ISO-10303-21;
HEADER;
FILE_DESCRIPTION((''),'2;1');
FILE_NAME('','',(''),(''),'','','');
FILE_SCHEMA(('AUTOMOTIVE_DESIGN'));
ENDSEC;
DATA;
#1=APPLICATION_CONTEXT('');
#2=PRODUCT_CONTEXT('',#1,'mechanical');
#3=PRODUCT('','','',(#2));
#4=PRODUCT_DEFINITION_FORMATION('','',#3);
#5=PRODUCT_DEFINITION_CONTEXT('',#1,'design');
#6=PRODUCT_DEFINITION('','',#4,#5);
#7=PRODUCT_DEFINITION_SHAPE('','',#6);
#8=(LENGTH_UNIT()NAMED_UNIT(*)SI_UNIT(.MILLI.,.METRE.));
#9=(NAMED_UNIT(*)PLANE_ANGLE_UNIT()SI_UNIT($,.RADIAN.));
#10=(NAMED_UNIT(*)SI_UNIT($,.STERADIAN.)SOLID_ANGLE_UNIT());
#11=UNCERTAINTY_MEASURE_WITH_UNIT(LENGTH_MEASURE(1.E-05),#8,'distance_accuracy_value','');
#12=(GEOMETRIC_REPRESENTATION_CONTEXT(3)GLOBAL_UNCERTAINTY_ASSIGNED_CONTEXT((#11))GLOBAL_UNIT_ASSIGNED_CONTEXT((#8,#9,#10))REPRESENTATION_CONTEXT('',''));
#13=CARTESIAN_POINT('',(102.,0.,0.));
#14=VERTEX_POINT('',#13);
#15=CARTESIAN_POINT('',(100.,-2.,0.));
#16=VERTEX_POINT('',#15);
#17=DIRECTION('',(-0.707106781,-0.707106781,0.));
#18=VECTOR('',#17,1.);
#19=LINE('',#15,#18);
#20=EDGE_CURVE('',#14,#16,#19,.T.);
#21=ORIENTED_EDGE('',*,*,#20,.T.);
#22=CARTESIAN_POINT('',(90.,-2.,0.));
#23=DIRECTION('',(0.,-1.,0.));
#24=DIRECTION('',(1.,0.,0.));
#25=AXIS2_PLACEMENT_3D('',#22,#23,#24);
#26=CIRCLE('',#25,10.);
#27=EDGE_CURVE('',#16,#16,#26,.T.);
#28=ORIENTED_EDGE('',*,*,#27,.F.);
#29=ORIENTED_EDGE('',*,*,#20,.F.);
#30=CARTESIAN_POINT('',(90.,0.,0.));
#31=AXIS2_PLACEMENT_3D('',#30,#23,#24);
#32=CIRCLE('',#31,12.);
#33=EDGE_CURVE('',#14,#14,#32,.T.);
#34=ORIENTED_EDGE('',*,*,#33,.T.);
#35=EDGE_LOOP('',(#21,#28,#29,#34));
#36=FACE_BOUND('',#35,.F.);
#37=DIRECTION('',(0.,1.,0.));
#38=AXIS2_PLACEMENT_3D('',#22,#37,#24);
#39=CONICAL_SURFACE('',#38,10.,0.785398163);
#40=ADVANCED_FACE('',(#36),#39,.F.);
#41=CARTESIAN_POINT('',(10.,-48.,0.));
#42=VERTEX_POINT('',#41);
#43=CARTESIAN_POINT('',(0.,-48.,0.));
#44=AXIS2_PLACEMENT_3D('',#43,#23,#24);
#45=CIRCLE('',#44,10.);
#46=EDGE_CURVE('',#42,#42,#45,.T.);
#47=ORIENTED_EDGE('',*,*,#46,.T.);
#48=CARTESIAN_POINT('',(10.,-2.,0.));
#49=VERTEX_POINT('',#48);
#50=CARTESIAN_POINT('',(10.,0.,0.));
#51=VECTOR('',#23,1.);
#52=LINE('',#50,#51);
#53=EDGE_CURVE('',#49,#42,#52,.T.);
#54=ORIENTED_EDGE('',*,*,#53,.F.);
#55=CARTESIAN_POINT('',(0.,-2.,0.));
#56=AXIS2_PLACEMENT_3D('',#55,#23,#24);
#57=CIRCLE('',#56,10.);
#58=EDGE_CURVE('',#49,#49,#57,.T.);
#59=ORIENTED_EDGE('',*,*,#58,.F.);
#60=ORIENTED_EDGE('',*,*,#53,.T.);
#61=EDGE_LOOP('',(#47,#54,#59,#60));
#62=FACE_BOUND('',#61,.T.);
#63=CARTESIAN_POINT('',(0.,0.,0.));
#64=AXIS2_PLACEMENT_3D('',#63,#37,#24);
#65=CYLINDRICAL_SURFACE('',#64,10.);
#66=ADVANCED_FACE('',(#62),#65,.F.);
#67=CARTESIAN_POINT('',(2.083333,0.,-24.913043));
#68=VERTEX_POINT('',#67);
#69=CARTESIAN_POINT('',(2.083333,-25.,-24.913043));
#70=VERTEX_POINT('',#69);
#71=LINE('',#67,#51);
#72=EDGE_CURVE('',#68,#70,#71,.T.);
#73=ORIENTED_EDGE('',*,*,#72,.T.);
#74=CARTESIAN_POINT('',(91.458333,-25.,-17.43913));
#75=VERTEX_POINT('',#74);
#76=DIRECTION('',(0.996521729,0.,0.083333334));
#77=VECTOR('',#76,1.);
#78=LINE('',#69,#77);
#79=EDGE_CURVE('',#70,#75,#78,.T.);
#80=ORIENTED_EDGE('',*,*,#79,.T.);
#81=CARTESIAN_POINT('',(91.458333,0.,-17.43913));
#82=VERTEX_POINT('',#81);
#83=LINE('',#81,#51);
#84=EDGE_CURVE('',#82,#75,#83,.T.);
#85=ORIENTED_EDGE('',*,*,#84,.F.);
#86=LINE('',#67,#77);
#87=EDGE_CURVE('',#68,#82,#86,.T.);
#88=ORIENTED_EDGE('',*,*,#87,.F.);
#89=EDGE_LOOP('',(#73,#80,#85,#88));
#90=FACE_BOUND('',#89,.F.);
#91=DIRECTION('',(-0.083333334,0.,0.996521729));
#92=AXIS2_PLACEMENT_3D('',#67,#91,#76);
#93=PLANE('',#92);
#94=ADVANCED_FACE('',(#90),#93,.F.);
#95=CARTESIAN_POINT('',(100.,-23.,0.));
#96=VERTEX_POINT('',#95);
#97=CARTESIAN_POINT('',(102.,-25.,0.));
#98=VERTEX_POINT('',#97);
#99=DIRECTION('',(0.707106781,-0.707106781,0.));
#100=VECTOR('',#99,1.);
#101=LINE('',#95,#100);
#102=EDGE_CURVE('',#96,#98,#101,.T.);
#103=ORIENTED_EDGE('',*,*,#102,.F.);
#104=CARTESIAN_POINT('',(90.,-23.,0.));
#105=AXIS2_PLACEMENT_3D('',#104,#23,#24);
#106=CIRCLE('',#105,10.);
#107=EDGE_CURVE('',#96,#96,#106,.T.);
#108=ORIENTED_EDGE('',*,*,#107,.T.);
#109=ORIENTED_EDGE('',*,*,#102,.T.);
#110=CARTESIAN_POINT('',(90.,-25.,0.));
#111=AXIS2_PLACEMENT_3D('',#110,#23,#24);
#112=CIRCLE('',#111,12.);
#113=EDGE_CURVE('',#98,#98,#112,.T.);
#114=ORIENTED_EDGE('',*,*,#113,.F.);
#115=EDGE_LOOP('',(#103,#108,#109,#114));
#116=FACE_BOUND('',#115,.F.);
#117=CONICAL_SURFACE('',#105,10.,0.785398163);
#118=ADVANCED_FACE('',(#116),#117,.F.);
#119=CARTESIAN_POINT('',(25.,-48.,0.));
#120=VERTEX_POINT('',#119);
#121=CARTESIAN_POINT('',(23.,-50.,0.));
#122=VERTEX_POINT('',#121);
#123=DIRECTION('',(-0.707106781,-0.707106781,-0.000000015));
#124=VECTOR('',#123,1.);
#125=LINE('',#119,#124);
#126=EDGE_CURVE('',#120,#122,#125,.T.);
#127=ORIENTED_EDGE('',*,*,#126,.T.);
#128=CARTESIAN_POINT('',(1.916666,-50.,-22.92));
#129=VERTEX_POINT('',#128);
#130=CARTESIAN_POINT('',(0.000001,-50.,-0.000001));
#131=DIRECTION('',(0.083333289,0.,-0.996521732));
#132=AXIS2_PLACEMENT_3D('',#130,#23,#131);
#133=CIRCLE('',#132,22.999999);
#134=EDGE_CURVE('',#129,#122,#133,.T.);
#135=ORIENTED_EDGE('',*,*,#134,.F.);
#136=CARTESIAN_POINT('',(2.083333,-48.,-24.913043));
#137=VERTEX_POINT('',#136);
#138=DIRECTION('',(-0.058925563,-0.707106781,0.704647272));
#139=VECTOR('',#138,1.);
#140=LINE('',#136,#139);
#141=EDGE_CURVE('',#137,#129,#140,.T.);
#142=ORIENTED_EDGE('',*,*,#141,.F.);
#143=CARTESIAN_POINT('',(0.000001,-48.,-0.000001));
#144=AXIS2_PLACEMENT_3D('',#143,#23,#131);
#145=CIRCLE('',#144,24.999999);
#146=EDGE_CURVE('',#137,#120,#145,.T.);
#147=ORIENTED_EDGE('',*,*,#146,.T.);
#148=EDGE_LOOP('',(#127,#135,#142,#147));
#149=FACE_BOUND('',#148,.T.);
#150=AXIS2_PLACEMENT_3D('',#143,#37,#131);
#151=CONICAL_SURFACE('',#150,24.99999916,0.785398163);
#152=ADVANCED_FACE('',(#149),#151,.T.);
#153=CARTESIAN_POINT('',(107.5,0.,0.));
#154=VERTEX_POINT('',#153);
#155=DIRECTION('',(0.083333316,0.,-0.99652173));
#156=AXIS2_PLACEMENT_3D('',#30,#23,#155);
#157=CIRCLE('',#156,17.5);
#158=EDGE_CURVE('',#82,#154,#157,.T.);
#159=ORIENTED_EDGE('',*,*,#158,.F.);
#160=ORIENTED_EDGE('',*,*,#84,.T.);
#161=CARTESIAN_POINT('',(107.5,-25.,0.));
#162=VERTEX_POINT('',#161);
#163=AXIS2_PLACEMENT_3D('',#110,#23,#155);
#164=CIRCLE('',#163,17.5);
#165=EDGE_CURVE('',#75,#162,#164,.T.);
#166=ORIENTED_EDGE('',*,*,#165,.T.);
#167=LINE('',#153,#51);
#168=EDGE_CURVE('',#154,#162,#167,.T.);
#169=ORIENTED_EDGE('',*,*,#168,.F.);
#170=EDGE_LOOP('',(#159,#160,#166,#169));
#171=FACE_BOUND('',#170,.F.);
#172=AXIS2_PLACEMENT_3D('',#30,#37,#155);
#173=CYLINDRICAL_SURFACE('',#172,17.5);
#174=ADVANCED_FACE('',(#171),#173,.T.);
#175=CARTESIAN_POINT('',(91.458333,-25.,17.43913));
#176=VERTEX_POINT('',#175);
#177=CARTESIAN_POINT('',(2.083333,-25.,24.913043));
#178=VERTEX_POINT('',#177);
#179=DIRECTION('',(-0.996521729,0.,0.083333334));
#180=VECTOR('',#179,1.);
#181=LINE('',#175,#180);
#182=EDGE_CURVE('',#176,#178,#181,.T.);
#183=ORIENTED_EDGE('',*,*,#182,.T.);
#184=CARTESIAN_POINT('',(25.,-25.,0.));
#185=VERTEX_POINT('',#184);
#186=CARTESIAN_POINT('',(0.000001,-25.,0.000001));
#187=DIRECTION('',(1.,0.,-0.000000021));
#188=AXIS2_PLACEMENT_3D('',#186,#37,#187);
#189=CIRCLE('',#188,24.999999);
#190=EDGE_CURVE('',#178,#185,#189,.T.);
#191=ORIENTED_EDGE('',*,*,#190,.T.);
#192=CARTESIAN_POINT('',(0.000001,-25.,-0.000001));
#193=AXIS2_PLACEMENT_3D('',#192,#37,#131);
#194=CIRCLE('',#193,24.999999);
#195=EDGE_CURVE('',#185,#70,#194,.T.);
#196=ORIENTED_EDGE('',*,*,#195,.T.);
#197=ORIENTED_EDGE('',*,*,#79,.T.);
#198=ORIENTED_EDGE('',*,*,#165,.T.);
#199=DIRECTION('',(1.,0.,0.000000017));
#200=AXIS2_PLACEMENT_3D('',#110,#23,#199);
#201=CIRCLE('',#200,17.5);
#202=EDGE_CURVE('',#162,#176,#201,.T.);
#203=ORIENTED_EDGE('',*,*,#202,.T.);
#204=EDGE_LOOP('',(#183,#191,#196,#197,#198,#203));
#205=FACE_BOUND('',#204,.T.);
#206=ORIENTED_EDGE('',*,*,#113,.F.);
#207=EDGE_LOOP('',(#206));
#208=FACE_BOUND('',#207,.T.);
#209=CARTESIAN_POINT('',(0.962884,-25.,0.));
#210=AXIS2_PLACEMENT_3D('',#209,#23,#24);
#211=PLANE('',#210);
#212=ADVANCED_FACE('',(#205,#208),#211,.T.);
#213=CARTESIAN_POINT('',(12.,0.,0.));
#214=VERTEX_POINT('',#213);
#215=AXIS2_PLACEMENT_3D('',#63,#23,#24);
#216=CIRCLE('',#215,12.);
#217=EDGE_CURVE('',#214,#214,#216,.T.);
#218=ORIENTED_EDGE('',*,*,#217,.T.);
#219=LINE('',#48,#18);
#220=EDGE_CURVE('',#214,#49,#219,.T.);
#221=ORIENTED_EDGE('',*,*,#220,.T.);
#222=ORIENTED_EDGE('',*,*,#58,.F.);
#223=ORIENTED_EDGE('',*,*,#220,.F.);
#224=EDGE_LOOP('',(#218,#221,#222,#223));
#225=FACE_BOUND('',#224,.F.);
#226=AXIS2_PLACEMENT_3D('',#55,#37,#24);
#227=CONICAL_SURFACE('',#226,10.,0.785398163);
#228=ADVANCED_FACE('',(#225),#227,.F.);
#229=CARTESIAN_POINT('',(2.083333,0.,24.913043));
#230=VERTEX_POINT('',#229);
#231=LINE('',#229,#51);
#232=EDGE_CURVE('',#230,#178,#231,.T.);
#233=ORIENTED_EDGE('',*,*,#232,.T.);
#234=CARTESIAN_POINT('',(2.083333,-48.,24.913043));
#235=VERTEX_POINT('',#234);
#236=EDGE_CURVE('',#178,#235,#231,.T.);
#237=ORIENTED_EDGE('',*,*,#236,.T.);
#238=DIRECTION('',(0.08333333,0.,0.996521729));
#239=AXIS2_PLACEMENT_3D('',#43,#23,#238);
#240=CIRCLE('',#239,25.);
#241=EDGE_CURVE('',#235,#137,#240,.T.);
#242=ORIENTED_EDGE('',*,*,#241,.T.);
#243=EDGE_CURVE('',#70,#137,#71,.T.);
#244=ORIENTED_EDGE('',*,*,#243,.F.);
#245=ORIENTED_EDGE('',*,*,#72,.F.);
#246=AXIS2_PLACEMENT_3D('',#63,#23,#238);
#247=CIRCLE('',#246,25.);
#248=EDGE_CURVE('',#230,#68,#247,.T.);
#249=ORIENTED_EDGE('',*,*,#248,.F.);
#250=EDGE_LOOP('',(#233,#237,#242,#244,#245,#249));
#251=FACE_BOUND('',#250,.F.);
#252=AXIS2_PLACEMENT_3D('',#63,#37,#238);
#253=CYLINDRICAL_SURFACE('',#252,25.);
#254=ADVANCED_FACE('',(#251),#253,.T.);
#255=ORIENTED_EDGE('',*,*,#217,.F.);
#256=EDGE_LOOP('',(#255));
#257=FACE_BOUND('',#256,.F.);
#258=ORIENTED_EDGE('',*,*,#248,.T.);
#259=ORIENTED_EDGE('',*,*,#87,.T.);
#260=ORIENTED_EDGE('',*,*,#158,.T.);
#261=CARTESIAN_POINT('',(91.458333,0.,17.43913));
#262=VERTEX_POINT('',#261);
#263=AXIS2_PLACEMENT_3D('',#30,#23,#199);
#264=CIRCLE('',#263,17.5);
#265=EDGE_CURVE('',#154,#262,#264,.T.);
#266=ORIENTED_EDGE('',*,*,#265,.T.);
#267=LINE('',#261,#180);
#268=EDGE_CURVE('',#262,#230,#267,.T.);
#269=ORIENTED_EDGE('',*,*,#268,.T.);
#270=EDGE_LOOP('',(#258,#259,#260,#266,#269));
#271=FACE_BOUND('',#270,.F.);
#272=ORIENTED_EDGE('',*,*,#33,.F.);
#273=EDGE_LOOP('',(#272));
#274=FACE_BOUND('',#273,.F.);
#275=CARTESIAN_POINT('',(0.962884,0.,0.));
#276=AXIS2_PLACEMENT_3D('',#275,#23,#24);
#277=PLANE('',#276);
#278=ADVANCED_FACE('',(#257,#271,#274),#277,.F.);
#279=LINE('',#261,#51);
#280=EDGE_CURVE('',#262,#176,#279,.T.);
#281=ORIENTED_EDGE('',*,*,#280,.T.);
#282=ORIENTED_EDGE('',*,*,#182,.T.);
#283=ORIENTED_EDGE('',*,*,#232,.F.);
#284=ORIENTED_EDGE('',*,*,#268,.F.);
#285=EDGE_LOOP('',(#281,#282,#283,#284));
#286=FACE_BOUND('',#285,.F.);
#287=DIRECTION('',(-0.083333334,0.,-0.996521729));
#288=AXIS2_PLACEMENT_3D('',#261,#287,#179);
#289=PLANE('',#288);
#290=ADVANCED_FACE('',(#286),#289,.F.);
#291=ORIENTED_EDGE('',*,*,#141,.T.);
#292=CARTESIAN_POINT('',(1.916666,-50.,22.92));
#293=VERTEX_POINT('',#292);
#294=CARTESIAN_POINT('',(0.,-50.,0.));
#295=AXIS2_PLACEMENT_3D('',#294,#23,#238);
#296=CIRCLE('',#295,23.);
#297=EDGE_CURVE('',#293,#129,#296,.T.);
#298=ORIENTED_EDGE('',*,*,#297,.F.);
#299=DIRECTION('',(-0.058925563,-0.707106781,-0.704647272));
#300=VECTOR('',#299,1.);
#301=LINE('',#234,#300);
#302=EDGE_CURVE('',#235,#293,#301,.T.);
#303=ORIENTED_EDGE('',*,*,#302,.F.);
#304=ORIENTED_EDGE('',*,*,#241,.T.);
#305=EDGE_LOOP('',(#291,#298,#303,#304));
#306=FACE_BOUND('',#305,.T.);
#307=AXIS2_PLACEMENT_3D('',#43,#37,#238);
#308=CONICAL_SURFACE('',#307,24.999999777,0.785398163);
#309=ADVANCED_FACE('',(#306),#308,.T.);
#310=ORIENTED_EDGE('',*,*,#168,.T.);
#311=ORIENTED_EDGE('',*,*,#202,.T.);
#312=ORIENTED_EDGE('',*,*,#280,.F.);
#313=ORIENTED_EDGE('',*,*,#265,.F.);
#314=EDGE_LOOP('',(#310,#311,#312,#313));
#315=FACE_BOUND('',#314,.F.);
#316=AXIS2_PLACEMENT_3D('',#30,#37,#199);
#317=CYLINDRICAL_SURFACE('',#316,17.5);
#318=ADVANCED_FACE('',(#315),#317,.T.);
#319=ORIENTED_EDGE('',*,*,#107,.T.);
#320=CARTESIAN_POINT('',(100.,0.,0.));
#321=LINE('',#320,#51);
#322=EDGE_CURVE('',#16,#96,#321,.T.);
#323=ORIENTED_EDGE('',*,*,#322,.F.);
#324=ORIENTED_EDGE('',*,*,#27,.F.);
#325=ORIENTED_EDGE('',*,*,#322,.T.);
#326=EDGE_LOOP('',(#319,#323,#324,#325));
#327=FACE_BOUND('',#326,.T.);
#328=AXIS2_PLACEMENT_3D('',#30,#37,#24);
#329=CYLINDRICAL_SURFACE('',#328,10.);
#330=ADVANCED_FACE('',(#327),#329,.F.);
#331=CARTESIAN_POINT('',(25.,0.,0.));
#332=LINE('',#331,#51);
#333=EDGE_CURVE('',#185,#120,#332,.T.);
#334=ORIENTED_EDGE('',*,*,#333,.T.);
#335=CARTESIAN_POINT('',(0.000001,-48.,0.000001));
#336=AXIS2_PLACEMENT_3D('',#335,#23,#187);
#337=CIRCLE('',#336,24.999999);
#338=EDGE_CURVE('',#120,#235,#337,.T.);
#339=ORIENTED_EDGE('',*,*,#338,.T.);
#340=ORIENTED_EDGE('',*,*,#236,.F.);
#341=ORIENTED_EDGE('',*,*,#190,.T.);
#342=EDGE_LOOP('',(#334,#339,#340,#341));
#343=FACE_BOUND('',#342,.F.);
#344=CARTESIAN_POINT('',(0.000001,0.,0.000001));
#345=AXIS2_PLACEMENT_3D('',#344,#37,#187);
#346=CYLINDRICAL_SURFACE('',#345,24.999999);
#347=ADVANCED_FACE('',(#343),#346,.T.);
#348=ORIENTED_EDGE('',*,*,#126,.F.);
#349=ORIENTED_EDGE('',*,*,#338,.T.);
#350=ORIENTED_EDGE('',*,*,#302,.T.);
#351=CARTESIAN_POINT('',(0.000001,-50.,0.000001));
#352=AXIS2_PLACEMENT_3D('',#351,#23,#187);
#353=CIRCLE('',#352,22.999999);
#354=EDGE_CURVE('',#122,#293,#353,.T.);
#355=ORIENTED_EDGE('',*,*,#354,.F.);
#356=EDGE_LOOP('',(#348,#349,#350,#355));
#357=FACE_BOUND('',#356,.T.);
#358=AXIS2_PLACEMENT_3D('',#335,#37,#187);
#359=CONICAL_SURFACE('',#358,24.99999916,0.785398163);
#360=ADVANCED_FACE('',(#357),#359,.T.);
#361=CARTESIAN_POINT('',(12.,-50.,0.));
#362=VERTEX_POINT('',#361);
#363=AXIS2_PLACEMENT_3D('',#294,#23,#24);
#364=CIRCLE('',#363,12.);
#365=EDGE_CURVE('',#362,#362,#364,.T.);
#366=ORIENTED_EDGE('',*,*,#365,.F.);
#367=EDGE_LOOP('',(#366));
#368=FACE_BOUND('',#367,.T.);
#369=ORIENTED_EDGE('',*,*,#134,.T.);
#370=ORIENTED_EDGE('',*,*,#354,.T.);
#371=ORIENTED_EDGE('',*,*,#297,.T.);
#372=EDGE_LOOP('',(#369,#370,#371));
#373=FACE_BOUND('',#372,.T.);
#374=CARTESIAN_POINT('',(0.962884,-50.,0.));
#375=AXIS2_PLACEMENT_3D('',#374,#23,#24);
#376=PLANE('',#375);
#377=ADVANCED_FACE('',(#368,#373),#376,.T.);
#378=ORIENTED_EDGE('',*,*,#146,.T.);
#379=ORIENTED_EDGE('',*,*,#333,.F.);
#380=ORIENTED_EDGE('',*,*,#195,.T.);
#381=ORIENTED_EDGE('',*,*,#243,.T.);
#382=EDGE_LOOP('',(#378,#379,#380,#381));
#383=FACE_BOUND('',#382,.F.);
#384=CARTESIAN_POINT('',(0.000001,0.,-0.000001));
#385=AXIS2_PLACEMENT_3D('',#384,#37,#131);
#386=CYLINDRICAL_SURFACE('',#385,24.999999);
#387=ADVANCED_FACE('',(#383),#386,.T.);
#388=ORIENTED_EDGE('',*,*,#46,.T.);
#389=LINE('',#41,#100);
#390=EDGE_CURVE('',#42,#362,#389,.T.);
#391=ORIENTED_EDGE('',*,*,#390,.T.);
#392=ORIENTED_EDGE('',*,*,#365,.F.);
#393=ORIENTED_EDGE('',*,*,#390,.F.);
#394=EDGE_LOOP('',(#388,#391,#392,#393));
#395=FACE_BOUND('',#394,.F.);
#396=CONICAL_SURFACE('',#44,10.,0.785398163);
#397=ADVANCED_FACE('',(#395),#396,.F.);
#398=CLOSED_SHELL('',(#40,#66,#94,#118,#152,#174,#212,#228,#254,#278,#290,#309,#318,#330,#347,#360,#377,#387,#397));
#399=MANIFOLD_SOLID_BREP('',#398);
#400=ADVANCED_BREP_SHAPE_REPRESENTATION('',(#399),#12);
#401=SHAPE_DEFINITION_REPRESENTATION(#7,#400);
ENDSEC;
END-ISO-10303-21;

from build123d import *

# Parameters (mm, degrees)
F0_R     = 10
F1_DEPTH = 25
F2_DEPTH = 50
F3_SIZE  = 2
F4_SIZE  = 2


with BuildPart() as f1:
    # F0 (on Front) → F1 (new body)
    with BuildSketch(Plane.XZ):
        with BuildLine():
            ThreePointArc((2.083333, -24.913043), (18.399502, -16.92508), (25, 0))
            ThreePointArc((25, 0), (18.399502, 16.92508), (2.083333, 24.913043))
            ThreePointArc((2.083333, 24.913043), (-25, 0), (2.083333, -24.913043))
        make_face()
        Circle(F0_R, mode=Mode.SUBTRACT)
        with BuildLine():
            ThreePointArc((2.083333, 24.913043), (18.399502, 16.92508), (25, 0))
            ThreePointArc((25, 0), (18.399502, -16.92508), (2.083333, -24.913043))
            Line((2.083333, -24.913043), (91.458333, -17.43913))
            ThreePointArc((91.458333, -17.43913), (72.5, 0), (91.458333, 17.43913))
            Line((91.458333, 17.43913), (2.083333, 24.913043))
        make_face()
        with BuildLine():
            ThreePointArc((107.5, 0), (102.879651, 11.847556), (91.458333, 17.43913))
            ThreePointArc((91.458333, 17.43913), (72.5, 0), (91.458333, -17.43913))
            ThreePointArc((91.458333, -17.43913), (102.879651, -11.847556), (107.5, 0))
        make_face()
        with Locations((90, 0)):
            Circle(F0_R, mode=Mode.SUBTRACT)
    extrude(amount=F1_DEPTH)

    # F0 (on Front) → F2 (join)
    with BuildSketch(Plane.XZ):
        with BuildLine():
            ThreePointArc((2.083333, -24.913043), (18.399502, -16.92508), (25, 0))
            ThreePointArc((25, 0), (18.399502, 16.92508), (2.083333, 24.913043))
            ThreePointArc((2.083333, 24.913043), (-25, 0), (2.083333, -24.913043))
        make_face()
        Circle(F0_R, mode=Mode.SUBTRACT)
    extrude(amount=F2_DEPTH)

    # F3
    f3_edges = [f1.edges().sort_by_distance(p)[0] for p in [
        (-2.083333, -50, 24.913043),
        (-10, -50, 0),
        (80, -25, 0),
    ]]
    chamfer(f3_edges, length=F3_SIZE)

    # F4
    f4_edges = [f1.edges().sort_by_distance(p)[0] for p in [
        (80, 0, 0),
        (-10, 0, 0),
    ]]
    chamfer(f4_edges, length=F4_SIZE)


solid = f1.part
